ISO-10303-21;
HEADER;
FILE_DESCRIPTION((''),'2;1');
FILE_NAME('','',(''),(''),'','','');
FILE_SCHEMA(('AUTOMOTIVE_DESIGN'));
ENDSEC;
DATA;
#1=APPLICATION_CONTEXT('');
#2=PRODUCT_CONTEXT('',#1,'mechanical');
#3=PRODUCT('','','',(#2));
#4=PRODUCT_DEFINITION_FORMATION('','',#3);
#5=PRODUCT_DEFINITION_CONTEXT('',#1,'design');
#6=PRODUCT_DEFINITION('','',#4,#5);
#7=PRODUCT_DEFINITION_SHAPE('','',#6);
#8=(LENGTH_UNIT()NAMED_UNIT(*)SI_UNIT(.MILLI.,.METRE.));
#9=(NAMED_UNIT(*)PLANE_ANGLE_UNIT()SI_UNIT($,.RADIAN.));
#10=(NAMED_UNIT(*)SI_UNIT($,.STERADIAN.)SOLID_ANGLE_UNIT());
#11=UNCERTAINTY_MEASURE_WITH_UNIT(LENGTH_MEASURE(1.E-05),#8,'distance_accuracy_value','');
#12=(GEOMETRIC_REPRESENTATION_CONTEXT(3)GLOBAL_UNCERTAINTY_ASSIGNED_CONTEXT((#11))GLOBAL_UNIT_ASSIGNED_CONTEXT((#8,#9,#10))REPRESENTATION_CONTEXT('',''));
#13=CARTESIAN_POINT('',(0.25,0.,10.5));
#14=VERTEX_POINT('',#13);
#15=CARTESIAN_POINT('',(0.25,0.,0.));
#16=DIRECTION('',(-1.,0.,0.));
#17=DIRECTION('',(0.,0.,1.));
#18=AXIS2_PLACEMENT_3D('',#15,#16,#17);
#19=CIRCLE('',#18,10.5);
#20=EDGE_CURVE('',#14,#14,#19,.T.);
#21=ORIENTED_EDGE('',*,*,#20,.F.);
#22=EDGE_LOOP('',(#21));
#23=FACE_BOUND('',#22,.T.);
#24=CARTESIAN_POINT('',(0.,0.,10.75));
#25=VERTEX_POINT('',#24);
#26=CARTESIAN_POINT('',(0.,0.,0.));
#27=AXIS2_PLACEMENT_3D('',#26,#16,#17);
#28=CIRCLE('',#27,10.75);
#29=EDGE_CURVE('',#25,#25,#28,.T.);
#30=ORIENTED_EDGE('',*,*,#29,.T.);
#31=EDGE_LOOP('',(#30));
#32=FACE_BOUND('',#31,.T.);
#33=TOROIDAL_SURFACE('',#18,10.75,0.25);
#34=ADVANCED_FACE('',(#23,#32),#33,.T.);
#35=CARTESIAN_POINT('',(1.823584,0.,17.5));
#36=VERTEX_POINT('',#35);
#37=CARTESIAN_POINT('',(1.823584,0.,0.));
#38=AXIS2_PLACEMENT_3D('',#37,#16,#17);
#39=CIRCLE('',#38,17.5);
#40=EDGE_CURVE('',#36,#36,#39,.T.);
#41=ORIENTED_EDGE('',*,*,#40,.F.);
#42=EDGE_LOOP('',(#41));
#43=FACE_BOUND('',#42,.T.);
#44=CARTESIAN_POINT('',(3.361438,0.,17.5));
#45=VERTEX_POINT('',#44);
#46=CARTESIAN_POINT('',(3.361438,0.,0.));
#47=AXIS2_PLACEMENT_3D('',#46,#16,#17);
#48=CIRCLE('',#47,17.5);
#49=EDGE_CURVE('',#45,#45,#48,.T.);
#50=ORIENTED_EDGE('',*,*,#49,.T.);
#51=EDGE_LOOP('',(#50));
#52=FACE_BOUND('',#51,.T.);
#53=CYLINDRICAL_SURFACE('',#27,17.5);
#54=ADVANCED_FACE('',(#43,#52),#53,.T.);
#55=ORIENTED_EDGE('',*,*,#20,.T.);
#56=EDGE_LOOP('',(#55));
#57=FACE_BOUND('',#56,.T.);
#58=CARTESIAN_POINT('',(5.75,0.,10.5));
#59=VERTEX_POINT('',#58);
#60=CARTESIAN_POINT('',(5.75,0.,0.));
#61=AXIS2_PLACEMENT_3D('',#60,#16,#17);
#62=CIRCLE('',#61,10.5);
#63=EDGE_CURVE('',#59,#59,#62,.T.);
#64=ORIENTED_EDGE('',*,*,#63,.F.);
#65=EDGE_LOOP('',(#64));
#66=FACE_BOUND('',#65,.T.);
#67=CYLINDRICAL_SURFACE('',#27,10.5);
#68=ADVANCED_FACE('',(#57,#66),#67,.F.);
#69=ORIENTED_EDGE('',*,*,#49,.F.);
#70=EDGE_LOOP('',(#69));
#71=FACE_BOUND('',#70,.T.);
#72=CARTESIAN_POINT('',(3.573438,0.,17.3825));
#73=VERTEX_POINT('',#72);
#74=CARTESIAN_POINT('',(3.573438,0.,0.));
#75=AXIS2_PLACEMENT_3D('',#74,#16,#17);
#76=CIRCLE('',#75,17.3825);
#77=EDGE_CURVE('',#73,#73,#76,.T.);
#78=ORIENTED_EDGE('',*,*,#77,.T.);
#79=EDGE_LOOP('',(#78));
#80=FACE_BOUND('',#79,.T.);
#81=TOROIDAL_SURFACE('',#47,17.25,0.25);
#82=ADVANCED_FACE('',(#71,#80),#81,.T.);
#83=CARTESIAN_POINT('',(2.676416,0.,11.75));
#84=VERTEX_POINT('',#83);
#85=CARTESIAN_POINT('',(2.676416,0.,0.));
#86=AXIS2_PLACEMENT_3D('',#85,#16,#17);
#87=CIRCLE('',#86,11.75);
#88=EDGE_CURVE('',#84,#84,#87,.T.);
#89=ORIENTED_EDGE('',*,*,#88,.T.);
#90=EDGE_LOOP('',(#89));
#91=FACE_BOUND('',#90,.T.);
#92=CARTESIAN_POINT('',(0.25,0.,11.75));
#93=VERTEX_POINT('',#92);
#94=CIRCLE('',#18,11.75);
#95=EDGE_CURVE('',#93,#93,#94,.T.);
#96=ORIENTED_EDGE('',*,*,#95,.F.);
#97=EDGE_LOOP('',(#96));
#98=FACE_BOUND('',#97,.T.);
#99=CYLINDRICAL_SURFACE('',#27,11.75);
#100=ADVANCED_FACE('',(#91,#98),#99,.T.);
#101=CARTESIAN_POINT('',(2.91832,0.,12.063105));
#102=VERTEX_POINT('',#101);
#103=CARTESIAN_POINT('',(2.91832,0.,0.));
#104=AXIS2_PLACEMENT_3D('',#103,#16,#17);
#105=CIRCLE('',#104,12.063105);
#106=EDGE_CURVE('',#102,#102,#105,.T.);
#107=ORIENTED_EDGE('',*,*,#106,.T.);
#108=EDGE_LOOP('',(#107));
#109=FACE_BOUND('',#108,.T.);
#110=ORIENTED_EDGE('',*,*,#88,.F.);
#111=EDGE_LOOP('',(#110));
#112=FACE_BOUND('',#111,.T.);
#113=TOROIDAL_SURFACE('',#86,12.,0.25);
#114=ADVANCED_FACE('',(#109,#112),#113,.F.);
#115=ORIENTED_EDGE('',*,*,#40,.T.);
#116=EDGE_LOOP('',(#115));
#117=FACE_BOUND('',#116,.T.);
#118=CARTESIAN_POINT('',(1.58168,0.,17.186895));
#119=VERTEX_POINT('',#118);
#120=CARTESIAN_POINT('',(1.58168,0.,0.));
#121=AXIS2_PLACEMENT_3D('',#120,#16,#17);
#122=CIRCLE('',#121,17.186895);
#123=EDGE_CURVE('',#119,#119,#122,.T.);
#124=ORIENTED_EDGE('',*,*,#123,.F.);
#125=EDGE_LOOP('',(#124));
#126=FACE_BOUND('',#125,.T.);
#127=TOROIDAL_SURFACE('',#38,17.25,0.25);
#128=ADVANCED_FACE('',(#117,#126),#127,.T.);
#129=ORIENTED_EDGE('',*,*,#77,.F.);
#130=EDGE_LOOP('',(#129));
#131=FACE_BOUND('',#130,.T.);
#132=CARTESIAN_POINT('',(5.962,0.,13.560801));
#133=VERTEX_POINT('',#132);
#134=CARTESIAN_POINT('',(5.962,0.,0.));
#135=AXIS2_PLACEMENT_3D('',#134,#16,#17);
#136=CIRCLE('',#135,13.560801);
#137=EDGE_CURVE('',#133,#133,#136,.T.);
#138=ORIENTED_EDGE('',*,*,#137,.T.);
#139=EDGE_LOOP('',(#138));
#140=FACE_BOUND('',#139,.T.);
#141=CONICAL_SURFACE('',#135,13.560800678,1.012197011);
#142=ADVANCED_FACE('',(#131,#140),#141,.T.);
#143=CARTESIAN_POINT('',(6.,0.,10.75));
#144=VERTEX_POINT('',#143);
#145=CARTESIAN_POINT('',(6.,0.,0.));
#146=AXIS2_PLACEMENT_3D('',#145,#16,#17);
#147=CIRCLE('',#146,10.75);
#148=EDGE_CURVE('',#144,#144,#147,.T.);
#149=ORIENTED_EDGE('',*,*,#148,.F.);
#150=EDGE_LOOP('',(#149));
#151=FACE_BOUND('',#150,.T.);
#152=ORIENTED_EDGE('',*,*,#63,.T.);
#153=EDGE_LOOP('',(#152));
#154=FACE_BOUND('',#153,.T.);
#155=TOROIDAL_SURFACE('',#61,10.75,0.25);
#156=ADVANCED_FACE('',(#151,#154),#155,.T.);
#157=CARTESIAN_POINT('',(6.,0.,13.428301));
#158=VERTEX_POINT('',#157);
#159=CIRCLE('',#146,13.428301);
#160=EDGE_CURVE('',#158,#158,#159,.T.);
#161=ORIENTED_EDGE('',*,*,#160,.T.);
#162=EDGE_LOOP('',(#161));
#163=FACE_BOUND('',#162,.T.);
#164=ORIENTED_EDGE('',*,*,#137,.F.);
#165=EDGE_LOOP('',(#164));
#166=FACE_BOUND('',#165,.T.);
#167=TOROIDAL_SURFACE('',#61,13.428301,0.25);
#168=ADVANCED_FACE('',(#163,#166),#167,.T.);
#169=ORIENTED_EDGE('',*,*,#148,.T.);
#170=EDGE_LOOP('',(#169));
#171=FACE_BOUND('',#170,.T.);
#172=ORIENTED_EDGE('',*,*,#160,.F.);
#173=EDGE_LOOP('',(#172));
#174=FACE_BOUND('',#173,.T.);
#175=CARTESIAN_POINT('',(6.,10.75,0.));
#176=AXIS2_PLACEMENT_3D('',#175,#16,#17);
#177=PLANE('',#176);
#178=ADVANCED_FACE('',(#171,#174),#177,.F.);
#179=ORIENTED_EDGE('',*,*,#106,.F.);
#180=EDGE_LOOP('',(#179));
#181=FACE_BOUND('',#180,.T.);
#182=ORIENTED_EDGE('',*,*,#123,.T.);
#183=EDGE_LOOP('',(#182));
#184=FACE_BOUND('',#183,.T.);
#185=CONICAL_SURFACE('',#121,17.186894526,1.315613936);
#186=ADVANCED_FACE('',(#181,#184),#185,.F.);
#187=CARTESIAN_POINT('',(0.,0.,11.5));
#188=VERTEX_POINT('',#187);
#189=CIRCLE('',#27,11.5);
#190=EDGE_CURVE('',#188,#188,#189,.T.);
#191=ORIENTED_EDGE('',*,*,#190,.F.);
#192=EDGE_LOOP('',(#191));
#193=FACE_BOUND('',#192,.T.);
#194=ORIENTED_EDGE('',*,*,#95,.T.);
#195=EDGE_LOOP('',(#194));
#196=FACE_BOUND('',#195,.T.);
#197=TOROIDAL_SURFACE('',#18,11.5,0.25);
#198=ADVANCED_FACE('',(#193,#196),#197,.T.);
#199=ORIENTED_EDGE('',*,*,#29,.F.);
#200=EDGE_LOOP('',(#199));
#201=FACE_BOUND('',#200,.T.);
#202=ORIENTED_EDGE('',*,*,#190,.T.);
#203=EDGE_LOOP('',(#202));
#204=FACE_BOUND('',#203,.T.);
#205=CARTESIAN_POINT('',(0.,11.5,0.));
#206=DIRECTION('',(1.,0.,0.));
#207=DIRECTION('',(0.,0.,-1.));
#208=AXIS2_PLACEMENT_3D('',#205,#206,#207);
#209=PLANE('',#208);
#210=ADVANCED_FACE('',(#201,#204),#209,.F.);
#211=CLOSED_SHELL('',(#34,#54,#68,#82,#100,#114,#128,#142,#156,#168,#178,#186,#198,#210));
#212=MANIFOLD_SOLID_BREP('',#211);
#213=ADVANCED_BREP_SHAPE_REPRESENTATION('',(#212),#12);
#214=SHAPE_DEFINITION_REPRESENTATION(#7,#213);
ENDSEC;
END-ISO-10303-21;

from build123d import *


with BuildPart() as part:
    # Sketch1 → Revolve1 (revolve)
    with BuildSketch(Plane.XY, mode=Mode.PRIVATE) as revolve1_sk:
        with BuildLine():
            Line((6, 10.75), (6, 13.428300943))
            ThreePointArc((6, 13.428300943), (5.990312187, 13.497221572), (5.961999576, 13.560800678))
            Line((5.961999576, 13.560800678), (3.573437666, 17.382499735))
            ThreePointArc((3.573437666, 17.382499735), (3.482630223, 17.46866062), (3.36143809, 17.5))
            Line((3.36143809, 17.5), (1.823584007, 17.5))
            ThreePointArc((1.823584007, 17.5), (1.625750278, 17.402845725), (1.581679689, 17.186894526))
            Line((1.581679689, 17.186894526), (2.918320311, 12.063105474))
            ThreePointArc((2.918320311, 12.063105474), (2.874249722, 11.847154275), (2.676415993, 11.75))
            Line((2.676415993, 11.75), (0.25, 11.75))
            ThreePointArc((0.25, 11.75), (0.073223305, 11.676776695), (0, 11.5))
            Line((0, 11.5), (0, 10.75))
            ThreePointArc((0, 10.75), (0.073223305, 10.573223305), (0.25, 10.5))
            Line((0.25, 10.5), (5.75, 10.5))
            ThreePointArc((5.75, 10.5), (5.926776695, 10.573223305), (6, 10.75))
        make_face()
    revolve(revolve1_sk.sketch.rotate(Axis((0, 0, 0), (1, 0, 0)), 90), axis=Axis((0, 0, 0), (1, 0, 0)))


solid = part.part
